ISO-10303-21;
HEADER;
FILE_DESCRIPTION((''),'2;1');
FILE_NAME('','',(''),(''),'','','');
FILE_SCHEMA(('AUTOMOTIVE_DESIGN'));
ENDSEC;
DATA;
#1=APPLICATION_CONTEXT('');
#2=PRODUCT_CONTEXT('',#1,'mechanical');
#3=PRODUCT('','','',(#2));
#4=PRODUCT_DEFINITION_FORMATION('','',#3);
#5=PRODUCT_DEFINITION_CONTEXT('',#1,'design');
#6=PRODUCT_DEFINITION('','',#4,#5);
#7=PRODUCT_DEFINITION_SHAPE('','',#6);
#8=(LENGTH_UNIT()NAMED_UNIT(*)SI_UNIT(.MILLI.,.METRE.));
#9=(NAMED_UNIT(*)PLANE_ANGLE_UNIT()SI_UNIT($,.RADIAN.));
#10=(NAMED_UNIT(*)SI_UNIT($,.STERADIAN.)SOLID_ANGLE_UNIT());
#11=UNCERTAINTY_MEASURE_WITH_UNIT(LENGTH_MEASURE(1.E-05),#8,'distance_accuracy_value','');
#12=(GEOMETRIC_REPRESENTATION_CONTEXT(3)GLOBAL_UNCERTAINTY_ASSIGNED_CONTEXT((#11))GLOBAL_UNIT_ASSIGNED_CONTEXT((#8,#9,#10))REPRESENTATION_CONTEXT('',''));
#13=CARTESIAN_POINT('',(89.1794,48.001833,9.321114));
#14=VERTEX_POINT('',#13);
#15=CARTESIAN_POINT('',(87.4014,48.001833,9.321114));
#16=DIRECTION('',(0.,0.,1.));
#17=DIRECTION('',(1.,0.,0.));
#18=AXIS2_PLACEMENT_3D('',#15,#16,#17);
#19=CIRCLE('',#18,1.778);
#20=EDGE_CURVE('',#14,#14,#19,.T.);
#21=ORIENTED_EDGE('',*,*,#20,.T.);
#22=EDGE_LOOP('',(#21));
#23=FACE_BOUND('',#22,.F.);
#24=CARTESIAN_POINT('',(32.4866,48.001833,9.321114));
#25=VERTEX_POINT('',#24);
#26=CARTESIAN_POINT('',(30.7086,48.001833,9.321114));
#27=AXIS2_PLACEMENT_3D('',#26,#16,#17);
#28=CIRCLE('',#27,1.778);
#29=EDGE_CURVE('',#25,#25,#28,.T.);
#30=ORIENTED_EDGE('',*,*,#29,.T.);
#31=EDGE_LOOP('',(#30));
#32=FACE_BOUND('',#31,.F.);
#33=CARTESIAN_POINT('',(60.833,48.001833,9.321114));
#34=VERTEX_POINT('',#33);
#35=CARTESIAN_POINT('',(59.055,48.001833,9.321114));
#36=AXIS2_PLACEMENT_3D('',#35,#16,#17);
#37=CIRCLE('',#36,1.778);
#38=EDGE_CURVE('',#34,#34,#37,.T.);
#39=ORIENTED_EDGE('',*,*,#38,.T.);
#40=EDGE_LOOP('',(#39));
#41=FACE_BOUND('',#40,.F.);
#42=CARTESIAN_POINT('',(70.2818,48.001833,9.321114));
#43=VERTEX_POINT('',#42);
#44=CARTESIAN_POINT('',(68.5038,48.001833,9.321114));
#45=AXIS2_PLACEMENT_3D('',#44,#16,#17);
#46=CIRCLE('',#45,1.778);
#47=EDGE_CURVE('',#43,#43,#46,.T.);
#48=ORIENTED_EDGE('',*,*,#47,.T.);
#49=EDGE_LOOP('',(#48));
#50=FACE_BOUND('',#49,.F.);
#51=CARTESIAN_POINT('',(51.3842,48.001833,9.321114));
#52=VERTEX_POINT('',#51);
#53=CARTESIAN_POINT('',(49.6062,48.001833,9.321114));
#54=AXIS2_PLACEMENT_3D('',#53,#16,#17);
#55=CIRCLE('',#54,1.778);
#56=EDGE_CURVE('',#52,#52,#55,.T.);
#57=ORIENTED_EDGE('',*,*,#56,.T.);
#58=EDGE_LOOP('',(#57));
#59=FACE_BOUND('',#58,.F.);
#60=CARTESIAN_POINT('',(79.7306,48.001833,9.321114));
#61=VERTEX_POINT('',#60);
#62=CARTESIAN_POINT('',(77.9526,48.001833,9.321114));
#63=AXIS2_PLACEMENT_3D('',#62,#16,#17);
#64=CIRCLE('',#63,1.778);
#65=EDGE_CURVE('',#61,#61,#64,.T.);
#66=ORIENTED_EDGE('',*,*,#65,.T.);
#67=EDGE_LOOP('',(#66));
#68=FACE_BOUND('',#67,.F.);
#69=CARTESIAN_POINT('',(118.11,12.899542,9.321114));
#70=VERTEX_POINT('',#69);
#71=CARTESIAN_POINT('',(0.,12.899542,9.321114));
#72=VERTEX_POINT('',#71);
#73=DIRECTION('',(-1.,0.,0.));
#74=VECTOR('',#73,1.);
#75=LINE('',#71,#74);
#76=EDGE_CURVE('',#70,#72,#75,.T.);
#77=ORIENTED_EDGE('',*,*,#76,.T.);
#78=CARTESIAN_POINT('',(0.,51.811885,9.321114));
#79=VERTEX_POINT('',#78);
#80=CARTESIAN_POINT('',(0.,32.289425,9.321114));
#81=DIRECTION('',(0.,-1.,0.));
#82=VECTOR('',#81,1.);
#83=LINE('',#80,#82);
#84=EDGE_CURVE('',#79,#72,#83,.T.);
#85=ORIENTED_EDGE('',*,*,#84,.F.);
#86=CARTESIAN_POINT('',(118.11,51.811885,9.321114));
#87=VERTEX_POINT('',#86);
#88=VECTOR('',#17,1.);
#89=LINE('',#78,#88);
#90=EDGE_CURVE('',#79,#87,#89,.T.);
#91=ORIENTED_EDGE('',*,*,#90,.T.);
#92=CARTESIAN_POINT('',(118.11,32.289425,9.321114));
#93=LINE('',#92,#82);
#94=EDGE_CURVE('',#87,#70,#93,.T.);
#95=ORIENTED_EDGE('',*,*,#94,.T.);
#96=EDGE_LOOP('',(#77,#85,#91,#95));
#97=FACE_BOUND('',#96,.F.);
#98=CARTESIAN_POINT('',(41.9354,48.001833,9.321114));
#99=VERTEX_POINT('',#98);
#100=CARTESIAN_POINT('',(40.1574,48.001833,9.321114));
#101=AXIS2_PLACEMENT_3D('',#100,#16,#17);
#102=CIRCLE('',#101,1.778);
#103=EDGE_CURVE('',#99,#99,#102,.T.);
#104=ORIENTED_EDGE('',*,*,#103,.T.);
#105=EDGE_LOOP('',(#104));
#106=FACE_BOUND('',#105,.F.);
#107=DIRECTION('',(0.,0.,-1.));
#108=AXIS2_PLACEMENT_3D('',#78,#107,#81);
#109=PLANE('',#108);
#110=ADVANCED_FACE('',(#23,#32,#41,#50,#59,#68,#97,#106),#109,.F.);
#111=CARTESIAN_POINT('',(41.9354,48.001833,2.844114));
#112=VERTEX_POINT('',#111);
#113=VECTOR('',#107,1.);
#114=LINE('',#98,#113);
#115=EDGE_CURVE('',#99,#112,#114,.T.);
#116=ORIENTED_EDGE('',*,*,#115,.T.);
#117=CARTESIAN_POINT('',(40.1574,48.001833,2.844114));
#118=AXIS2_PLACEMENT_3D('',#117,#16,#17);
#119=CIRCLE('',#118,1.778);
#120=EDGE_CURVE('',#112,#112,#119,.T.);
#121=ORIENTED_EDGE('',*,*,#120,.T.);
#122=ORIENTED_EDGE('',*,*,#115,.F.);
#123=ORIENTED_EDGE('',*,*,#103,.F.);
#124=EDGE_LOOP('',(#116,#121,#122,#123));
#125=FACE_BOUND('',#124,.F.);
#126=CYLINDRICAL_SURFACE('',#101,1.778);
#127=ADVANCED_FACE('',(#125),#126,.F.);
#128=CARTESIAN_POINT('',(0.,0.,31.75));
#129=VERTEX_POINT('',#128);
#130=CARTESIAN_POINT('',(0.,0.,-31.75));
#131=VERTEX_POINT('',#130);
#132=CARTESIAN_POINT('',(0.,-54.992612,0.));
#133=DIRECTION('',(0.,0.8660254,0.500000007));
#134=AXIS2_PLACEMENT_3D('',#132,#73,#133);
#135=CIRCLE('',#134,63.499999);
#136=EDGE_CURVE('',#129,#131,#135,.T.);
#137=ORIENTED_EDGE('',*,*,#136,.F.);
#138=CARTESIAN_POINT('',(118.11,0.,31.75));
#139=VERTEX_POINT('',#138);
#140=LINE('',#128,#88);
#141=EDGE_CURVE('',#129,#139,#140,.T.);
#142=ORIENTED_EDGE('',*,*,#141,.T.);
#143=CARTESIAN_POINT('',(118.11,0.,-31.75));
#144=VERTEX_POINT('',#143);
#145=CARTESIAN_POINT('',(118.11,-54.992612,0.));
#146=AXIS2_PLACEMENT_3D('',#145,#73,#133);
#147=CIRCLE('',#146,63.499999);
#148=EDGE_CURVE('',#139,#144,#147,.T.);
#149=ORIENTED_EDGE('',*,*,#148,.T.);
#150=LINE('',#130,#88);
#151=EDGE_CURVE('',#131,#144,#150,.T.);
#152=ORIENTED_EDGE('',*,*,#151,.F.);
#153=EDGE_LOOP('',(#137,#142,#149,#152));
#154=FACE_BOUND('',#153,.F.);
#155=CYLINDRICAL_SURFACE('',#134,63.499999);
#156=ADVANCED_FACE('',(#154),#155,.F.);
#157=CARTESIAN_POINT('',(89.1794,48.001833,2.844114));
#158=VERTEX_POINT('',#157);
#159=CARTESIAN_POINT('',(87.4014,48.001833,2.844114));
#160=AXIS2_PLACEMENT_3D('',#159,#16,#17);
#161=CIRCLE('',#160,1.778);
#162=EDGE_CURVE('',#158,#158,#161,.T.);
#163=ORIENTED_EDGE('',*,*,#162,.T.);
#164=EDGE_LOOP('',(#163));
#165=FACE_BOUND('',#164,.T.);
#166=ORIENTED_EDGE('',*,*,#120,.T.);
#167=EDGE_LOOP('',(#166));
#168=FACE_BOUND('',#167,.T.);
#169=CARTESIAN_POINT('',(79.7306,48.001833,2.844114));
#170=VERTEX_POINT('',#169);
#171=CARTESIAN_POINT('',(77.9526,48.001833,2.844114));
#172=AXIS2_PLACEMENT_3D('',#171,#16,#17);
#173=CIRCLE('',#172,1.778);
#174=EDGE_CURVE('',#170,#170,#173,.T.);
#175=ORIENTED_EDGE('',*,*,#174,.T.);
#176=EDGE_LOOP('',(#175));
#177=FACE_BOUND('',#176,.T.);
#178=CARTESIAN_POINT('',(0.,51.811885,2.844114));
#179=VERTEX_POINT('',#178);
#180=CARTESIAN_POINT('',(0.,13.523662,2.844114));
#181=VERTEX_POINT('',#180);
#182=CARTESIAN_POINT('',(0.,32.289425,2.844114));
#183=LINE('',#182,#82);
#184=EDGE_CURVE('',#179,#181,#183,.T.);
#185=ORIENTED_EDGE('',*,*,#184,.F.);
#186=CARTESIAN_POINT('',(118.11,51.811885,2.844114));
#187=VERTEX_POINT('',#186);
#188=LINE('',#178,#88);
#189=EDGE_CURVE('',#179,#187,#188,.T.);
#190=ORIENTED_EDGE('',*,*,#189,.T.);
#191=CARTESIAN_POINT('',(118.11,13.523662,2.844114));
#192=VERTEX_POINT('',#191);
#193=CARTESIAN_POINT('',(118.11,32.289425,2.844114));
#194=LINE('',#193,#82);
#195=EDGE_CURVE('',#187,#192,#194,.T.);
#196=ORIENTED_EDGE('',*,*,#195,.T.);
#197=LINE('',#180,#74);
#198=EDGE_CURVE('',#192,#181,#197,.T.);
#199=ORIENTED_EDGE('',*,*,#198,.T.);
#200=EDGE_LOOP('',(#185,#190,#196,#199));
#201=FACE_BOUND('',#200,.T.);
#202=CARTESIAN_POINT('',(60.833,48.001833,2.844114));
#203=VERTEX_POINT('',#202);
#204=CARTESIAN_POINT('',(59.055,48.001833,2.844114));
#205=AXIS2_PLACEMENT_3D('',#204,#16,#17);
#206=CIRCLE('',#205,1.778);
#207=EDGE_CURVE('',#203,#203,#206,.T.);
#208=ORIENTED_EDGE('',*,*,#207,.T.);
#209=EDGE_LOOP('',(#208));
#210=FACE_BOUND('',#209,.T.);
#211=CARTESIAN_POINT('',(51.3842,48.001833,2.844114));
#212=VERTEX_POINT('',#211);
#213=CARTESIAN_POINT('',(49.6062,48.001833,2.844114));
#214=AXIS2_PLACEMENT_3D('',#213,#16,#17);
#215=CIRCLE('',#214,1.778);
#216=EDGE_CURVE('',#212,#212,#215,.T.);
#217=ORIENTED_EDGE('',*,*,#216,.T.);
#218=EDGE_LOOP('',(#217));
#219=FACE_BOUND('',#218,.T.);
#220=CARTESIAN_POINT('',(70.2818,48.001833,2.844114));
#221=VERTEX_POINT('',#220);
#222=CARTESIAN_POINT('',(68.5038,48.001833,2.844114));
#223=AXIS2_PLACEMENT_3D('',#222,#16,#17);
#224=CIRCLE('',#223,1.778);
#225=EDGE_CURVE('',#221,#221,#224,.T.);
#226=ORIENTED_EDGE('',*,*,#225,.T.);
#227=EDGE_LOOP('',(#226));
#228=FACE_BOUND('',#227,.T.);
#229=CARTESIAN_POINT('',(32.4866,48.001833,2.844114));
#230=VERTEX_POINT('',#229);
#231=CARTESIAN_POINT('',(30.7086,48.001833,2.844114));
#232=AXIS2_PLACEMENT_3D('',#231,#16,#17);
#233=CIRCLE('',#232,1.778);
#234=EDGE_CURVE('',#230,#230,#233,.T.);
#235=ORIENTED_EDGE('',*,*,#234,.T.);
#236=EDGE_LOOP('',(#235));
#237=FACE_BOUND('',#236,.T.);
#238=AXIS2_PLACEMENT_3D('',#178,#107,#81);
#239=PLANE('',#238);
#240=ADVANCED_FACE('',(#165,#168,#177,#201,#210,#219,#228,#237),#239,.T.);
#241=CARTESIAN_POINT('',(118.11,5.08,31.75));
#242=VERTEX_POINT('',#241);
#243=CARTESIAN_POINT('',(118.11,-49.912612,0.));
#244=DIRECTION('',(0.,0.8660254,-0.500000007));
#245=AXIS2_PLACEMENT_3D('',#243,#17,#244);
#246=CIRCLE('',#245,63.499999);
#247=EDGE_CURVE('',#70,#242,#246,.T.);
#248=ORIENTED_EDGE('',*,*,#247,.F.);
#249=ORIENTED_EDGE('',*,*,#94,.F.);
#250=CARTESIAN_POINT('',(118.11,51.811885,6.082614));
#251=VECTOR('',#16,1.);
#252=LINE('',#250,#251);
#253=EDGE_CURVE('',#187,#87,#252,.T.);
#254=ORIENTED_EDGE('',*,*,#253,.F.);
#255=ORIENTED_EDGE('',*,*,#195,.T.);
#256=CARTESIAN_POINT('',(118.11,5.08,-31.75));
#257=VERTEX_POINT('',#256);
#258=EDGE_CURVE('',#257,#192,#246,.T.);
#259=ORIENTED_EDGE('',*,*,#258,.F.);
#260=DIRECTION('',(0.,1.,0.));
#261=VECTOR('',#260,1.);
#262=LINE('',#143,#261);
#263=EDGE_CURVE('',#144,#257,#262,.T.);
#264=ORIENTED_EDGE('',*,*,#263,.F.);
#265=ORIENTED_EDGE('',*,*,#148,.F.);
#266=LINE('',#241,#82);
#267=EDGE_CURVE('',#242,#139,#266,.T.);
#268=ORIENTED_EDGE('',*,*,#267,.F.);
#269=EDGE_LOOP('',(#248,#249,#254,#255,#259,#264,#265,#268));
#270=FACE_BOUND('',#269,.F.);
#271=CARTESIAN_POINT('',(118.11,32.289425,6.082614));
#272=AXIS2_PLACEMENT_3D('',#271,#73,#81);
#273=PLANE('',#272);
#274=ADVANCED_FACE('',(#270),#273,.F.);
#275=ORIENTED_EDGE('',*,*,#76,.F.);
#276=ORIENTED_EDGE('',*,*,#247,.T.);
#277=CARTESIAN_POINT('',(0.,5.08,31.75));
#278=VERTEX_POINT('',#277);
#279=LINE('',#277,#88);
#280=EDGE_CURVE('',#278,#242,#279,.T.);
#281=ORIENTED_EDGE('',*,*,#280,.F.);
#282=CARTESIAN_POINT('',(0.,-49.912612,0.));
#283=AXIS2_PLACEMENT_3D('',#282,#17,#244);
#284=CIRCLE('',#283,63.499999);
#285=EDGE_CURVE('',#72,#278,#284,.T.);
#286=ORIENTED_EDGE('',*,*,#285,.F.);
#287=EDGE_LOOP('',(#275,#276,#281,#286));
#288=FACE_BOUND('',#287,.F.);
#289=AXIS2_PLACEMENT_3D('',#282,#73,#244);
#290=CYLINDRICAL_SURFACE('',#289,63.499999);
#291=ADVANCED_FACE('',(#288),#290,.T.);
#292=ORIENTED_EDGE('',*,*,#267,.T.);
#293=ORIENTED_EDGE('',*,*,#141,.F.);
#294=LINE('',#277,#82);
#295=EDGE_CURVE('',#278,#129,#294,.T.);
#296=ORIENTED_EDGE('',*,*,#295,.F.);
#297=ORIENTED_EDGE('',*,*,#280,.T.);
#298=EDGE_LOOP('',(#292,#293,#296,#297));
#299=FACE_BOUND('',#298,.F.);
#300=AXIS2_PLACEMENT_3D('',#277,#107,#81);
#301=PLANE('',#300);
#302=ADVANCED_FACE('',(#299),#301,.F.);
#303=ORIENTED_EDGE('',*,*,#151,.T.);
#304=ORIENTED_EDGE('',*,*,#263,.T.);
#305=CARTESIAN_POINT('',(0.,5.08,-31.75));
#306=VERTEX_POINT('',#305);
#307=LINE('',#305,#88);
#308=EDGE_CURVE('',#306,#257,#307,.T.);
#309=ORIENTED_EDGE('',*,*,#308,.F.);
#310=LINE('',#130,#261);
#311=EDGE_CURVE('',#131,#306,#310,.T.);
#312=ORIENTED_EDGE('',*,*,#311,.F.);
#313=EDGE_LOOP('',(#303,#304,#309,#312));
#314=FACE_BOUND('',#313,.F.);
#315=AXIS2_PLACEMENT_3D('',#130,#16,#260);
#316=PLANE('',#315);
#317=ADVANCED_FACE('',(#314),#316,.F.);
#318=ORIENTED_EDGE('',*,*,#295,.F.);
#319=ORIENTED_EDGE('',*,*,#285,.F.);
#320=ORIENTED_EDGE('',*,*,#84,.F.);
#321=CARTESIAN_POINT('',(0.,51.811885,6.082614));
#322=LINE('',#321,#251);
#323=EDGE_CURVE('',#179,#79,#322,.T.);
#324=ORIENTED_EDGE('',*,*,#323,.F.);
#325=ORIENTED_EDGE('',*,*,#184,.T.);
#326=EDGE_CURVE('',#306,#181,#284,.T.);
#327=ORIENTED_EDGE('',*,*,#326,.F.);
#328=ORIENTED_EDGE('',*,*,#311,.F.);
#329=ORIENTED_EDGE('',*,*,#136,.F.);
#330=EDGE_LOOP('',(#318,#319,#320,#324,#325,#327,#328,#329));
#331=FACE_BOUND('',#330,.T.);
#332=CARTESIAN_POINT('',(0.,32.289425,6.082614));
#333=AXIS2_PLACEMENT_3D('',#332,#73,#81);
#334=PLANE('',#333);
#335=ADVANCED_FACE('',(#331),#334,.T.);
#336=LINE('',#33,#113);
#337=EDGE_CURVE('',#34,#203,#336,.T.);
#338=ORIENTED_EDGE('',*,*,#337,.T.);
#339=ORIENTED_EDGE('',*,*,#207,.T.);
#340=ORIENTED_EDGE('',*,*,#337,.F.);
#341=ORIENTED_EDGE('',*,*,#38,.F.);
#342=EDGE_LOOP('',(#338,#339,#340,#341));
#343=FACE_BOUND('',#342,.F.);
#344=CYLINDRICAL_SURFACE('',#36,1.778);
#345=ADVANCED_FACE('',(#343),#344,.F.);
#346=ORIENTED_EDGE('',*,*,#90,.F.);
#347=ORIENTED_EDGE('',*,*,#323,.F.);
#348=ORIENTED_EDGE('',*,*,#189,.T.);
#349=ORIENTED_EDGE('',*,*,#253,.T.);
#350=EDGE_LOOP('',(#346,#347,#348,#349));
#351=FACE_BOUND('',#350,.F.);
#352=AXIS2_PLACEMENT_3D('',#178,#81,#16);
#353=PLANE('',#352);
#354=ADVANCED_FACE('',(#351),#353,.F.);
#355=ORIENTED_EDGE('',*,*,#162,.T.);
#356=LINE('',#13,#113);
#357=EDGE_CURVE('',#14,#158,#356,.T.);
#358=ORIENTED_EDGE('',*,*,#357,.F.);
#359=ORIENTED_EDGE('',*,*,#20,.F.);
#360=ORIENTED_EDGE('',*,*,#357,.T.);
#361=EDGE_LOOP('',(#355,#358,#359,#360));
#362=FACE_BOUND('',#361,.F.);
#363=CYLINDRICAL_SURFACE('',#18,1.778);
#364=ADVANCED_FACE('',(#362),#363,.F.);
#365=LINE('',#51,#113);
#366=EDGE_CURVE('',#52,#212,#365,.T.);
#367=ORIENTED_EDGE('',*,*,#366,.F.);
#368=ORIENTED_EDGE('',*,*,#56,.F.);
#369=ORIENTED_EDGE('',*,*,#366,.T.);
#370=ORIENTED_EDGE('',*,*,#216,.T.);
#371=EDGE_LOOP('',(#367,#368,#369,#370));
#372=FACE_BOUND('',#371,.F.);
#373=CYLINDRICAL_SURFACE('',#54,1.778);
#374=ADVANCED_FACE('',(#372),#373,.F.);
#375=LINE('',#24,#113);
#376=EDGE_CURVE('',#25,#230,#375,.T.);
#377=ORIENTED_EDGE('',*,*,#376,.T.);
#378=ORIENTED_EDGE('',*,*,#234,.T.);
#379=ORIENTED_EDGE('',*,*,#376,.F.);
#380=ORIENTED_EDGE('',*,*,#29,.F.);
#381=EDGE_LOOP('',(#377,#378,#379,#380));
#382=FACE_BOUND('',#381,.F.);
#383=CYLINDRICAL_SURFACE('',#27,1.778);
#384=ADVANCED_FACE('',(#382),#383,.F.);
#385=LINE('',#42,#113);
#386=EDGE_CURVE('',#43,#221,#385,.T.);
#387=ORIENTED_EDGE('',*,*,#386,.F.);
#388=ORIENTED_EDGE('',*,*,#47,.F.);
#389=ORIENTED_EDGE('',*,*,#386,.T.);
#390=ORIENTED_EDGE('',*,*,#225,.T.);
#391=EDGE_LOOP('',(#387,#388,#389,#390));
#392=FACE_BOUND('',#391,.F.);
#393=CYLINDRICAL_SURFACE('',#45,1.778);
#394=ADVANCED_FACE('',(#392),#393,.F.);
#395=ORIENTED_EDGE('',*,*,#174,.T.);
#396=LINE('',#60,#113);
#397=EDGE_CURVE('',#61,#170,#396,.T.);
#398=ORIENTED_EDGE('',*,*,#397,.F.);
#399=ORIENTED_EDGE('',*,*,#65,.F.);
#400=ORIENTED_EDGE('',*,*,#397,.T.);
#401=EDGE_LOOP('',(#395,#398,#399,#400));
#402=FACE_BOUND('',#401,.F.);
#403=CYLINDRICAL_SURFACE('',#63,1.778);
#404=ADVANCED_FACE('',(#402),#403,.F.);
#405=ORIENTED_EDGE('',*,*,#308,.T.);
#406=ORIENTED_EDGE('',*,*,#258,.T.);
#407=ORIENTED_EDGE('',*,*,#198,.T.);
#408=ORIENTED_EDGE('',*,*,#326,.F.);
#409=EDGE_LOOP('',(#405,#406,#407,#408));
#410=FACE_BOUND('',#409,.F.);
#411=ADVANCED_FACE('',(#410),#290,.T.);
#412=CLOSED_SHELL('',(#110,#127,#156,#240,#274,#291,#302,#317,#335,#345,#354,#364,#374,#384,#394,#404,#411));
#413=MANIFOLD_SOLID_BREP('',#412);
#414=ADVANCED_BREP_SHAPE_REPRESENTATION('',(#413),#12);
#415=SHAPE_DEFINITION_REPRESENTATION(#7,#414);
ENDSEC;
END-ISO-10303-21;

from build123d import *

# Parameters (mm, degrees)
F1_DEPTH = 118.11
F2_W     = 39.04492
F2_H     = 6.477
F3_DEPTH = 118.11
F4_R     = 1.778
F5_DEPTH = 25.4


with BuildPart() as f1:
    # F0 (on Right) → F1 (new body)
    with BuildSketch(Plane.YZ):
        with BuildLine():
            ThreePointArc((0, 31.75), (8.507387, 0), (0, -31.75))
            Line((0, -31.75), (5.08, -31.75))
            ThreePointArc((5.08, -31.75), (13.587387, 0), (5.08, 31.75))
            Line((5.08, 31.75), (0, 31.75))
        make_face()
    extrude(amount=F1_DEPTH)

    # F2 (on face) → F3 (join, through all)
    with BuildSketch(Plane(origin=(0, 0, 0), x_dir=(0, -1, 0), z_dir=(-1, 0, 0))):
        with Locations((-32.289425, 6.082614)):
            Rectangle(F2_W, F2_H)
    extrude(amount=-F3_DEPTH)

    # F4 (on face) → F5 (cut)
    with BuildSketch(Plane.XY.offset(9.321114)):
        with Locations((59.055, 48.001833)):
            Circle(F4_R)
        with Locations((49.6062, 48.001833)):
            Circle(F4_R)
        with Locations((40.1574, 48.001833)):
            Circle(F4_R)
        with Locations((68.5038, 48.001833)):
            Circle(F4_R)
        with Locations((77.9526, 48.001833)):
            Circle(F4_R)
        with Locations((30.7086, 48.001833)):
            Circle(F4_R)
        with Locations((87.4014, 48.001833)):
            Circle(F4_R)
    extrude(amount=-F5_DEPTH, mode=Mode.SUBTRACT)


solid = f1.part
